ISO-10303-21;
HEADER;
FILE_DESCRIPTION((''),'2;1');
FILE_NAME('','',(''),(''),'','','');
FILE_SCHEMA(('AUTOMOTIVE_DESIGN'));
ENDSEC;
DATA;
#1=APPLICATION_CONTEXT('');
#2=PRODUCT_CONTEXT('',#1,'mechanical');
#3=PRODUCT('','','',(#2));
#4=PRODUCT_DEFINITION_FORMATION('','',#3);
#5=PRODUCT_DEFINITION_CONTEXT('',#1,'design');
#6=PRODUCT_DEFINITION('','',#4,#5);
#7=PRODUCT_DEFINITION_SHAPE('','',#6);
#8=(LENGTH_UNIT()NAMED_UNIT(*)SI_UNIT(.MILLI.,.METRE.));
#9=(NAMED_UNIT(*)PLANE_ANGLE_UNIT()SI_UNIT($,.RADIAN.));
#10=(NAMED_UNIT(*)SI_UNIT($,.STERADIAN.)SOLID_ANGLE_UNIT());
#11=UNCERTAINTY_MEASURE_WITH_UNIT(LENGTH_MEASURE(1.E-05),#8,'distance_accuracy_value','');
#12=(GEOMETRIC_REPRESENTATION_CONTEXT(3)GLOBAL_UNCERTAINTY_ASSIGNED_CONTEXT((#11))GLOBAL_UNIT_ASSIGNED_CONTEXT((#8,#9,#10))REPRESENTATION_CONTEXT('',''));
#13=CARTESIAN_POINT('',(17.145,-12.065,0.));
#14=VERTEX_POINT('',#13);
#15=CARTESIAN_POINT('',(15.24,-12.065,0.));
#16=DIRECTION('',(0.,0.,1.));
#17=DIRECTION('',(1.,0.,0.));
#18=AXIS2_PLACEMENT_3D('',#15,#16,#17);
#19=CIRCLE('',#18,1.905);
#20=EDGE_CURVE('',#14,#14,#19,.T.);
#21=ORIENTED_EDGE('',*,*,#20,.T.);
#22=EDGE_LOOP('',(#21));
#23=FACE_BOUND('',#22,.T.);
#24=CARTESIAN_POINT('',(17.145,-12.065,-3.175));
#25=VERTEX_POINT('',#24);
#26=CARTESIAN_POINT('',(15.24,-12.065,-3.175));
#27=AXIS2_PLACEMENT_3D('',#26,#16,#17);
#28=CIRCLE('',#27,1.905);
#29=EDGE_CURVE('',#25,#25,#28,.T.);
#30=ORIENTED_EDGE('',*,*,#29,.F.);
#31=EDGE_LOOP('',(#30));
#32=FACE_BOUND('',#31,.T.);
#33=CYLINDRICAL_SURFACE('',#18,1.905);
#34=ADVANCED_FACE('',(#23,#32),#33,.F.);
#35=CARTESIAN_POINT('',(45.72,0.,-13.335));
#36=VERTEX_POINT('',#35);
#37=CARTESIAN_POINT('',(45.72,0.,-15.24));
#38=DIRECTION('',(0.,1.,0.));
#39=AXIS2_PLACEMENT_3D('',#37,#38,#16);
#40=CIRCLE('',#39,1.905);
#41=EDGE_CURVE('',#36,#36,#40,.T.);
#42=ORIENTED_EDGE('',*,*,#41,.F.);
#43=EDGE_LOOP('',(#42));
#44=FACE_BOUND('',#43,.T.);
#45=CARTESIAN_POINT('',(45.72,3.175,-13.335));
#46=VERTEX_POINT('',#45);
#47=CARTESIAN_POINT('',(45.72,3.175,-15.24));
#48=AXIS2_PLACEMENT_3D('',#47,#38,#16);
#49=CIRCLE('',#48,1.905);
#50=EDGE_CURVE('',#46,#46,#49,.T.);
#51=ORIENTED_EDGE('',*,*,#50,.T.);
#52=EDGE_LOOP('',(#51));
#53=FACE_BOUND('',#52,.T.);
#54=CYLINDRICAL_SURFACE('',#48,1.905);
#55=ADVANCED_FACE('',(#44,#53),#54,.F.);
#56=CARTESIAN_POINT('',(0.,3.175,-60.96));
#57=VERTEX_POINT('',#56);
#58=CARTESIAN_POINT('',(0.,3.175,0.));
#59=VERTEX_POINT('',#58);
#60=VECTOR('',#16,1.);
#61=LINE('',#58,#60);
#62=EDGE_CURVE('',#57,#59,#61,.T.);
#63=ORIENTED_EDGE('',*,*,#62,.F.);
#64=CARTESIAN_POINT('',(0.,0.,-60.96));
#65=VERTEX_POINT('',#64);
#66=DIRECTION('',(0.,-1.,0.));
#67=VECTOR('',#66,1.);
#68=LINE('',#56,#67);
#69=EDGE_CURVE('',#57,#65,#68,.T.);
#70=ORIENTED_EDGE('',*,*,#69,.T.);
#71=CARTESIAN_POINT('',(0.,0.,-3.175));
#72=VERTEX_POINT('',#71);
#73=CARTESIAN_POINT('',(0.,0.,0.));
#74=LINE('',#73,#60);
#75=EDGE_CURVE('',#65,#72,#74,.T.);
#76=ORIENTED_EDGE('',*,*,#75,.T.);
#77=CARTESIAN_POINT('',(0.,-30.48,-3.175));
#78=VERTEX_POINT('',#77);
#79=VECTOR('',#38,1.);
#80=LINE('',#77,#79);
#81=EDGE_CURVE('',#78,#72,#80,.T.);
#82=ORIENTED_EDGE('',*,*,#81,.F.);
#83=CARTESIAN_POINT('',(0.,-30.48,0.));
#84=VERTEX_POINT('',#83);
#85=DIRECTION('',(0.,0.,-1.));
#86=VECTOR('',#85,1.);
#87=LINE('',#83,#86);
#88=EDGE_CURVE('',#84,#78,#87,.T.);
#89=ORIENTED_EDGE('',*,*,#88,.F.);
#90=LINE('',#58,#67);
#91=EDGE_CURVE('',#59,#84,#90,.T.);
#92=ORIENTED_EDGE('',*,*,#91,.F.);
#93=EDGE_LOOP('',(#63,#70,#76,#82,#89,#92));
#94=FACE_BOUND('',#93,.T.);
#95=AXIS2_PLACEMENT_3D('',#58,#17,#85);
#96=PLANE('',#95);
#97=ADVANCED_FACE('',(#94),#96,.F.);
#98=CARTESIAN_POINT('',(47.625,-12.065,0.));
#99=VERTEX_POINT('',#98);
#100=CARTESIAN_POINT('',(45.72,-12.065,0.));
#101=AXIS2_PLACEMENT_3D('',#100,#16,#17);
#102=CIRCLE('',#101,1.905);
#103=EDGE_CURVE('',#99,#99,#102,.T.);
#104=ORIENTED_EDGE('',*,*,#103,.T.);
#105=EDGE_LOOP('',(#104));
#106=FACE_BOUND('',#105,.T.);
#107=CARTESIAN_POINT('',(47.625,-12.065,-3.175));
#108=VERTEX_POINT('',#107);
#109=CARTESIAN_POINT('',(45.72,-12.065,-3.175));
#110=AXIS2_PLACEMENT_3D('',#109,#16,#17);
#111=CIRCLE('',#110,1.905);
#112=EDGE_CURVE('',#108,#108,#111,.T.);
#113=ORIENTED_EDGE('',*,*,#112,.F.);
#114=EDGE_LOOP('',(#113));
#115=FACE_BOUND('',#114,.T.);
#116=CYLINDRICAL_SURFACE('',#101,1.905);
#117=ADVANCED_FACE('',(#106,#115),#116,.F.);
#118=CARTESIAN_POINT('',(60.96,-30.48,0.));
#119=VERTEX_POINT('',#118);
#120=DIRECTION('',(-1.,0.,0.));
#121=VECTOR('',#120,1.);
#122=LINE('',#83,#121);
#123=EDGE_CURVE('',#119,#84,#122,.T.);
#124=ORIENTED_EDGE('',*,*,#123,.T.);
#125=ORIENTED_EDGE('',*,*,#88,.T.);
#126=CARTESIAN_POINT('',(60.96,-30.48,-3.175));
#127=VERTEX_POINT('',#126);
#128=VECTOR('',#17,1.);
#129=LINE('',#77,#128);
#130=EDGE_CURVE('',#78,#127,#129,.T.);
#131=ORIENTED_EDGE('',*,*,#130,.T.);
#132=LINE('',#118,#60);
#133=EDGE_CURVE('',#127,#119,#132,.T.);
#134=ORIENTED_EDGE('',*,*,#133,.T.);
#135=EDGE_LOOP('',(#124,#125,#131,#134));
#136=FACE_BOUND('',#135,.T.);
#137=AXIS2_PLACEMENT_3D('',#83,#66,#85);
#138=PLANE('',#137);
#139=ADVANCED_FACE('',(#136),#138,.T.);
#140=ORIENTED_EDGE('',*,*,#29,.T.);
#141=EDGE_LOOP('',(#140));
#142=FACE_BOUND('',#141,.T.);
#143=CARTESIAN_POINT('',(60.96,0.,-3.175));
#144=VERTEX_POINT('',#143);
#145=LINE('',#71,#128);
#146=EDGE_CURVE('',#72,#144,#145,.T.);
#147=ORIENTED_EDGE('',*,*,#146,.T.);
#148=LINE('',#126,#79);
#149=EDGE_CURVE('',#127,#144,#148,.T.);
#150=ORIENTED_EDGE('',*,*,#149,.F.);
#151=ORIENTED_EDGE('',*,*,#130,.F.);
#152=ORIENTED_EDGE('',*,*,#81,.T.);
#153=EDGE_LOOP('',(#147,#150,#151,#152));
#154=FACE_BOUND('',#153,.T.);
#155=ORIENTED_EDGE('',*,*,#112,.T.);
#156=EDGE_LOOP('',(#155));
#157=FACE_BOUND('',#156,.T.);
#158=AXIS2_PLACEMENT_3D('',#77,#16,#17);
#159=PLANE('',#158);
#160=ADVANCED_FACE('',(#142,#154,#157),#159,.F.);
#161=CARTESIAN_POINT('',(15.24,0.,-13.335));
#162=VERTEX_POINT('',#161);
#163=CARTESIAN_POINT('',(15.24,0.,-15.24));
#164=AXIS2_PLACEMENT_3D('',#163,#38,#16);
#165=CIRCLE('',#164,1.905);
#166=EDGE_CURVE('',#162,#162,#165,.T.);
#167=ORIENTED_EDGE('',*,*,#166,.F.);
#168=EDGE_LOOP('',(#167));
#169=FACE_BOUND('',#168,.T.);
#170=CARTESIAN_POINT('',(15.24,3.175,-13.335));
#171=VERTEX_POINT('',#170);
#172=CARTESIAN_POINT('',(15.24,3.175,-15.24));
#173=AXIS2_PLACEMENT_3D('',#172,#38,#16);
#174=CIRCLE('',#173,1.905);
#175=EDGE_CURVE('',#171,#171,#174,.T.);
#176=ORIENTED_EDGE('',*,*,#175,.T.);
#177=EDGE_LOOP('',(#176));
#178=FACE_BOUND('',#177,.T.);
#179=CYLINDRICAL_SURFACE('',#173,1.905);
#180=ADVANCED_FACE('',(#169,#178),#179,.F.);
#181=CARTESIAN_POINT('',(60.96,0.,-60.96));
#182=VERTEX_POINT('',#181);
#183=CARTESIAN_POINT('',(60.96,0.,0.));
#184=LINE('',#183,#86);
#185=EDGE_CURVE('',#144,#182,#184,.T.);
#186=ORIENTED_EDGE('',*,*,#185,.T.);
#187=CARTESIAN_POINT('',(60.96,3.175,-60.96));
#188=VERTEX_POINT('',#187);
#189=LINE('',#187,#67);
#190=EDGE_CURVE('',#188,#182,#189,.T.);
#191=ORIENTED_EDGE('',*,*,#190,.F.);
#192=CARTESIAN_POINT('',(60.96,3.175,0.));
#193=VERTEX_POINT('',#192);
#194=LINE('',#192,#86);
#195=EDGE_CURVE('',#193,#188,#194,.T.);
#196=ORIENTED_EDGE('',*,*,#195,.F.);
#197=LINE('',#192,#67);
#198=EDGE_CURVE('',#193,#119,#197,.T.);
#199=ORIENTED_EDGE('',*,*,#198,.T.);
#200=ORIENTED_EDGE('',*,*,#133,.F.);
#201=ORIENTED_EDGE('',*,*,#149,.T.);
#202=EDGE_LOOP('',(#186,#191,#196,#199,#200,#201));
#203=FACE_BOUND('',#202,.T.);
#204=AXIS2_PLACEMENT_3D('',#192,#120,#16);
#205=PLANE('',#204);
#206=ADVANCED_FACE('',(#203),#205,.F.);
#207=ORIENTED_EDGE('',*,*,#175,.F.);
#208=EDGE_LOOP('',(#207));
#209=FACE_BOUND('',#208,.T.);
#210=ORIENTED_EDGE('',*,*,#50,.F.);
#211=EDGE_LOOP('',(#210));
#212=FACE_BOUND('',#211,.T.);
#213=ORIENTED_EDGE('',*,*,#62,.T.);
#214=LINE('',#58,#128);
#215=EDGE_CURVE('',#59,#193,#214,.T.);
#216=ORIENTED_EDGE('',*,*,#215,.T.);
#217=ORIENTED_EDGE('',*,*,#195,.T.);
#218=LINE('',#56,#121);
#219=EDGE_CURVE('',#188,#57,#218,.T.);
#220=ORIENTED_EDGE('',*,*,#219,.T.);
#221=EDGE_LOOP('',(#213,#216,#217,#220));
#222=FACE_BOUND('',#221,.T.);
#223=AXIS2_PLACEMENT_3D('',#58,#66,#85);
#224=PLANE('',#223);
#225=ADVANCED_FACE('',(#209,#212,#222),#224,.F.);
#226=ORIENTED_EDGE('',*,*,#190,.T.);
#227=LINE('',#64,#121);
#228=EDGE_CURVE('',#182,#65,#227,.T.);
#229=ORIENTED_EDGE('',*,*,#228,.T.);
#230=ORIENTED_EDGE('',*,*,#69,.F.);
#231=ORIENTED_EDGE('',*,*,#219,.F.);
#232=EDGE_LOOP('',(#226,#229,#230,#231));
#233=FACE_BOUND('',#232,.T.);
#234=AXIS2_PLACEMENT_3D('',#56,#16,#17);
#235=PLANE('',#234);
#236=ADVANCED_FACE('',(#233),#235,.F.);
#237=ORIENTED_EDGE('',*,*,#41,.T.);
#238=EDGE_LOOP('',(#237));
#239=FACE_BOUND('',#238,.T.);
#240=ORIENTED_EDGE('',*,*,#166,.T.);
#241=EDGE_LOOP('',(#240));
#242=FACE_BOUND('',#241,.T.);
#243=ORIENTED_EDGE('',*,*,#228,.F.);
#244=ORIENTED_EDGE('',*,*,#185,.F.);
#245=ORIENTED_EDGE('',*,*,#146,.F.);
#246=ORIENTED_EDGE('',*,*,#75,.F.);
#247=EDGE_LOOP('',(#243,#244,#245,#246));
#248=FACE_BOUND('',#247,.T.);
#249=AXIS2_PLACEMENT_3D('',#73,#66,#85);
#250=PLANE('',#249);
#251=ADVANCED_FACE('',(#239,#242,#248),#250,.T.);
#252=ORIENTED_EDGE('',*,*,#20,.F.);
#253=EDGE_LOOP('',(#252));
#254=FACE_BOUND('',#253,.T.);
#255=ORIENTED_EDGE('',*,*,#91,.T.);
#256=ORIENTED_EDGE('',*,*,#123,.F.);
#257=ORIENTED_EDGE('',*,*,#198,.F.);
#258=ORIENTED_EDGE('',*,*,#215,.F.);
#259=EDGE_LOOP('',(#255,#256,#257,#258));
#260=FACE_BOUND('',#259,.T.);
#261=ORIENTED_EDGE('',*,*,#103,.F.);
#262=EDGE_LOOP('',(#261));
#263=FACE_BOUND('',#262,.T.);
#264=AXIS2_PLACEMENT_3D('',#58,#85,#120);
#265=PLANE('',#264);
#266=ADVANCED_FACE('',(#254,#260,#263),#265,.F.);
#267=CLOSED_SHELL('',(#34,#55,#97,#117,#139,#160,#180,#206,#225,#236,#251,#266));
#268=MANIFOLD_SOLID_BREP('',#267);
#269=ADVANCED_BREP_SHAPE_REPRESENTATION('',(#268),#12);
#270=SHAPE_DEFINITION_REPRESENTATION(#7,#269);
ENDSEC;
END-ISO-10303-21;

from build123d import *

# Parameters (mm, degrees)
SKETCH3_W                 = 60.96
SKETCH3_H                 = 60.96
BOSS_EXTRUDE1_DEPTH       = 3.175
F_6_0_15_DIAMETER_HOLE1_D = 3.81
SKETCH6_W                 = 60.96
SKETCH6_H                 = 3.175
BOSS_EXTRUDE3_DEPTH       = 30.48
F_6_0_15_DIAMETER_HOLE2_D = 3.81


with BuildPart() as part:
    # Sketch3 → Boss-Extrude1 (new body)
    with BuildSketch(Plane(origin=(0, 0, 0), x_dir=(1, 0, 0), z_dir=(0, 1, 0))):
        with Locations((30.48, 30.48)):
            Rectangle(SKETCH3_W, SKETCH3_H)
    extrude(amount=BOSS_EXTRUDE1_DEPTH)

    # #6 (0.15) Diameter Hole1 (through all)
    with Locations(Plane(origin=(0, 3.175, 0), x_dir=(1, 0, 0), z_dir=(0, 1, 0))):
        with Locations((15.24, 15.24), (45.72, 15.24)):
            Hole(F_6_0_15_DIAMETER_HOLE1_D / 2)

    # Sketch6 → Boss-Extrude3 (add)
    with BuildSketch(Plane.XZ):
        with Locations((30.48, -1.5875)):
            Rectangle(SKETCH6_W, SKETCH6_H)
    extrude(amount=BOSS_EXTRUDE3_DEPTH)

    # #6 (0.15) Diameter Hole2 (through all)
    with Locations(Plane.XY):
        with Locations((15.24, -12.065), (45.72, -12.065)):
            Hole(F_6_0_15_DIAMETER_HOLE2_D / 2)


solid = part.part
